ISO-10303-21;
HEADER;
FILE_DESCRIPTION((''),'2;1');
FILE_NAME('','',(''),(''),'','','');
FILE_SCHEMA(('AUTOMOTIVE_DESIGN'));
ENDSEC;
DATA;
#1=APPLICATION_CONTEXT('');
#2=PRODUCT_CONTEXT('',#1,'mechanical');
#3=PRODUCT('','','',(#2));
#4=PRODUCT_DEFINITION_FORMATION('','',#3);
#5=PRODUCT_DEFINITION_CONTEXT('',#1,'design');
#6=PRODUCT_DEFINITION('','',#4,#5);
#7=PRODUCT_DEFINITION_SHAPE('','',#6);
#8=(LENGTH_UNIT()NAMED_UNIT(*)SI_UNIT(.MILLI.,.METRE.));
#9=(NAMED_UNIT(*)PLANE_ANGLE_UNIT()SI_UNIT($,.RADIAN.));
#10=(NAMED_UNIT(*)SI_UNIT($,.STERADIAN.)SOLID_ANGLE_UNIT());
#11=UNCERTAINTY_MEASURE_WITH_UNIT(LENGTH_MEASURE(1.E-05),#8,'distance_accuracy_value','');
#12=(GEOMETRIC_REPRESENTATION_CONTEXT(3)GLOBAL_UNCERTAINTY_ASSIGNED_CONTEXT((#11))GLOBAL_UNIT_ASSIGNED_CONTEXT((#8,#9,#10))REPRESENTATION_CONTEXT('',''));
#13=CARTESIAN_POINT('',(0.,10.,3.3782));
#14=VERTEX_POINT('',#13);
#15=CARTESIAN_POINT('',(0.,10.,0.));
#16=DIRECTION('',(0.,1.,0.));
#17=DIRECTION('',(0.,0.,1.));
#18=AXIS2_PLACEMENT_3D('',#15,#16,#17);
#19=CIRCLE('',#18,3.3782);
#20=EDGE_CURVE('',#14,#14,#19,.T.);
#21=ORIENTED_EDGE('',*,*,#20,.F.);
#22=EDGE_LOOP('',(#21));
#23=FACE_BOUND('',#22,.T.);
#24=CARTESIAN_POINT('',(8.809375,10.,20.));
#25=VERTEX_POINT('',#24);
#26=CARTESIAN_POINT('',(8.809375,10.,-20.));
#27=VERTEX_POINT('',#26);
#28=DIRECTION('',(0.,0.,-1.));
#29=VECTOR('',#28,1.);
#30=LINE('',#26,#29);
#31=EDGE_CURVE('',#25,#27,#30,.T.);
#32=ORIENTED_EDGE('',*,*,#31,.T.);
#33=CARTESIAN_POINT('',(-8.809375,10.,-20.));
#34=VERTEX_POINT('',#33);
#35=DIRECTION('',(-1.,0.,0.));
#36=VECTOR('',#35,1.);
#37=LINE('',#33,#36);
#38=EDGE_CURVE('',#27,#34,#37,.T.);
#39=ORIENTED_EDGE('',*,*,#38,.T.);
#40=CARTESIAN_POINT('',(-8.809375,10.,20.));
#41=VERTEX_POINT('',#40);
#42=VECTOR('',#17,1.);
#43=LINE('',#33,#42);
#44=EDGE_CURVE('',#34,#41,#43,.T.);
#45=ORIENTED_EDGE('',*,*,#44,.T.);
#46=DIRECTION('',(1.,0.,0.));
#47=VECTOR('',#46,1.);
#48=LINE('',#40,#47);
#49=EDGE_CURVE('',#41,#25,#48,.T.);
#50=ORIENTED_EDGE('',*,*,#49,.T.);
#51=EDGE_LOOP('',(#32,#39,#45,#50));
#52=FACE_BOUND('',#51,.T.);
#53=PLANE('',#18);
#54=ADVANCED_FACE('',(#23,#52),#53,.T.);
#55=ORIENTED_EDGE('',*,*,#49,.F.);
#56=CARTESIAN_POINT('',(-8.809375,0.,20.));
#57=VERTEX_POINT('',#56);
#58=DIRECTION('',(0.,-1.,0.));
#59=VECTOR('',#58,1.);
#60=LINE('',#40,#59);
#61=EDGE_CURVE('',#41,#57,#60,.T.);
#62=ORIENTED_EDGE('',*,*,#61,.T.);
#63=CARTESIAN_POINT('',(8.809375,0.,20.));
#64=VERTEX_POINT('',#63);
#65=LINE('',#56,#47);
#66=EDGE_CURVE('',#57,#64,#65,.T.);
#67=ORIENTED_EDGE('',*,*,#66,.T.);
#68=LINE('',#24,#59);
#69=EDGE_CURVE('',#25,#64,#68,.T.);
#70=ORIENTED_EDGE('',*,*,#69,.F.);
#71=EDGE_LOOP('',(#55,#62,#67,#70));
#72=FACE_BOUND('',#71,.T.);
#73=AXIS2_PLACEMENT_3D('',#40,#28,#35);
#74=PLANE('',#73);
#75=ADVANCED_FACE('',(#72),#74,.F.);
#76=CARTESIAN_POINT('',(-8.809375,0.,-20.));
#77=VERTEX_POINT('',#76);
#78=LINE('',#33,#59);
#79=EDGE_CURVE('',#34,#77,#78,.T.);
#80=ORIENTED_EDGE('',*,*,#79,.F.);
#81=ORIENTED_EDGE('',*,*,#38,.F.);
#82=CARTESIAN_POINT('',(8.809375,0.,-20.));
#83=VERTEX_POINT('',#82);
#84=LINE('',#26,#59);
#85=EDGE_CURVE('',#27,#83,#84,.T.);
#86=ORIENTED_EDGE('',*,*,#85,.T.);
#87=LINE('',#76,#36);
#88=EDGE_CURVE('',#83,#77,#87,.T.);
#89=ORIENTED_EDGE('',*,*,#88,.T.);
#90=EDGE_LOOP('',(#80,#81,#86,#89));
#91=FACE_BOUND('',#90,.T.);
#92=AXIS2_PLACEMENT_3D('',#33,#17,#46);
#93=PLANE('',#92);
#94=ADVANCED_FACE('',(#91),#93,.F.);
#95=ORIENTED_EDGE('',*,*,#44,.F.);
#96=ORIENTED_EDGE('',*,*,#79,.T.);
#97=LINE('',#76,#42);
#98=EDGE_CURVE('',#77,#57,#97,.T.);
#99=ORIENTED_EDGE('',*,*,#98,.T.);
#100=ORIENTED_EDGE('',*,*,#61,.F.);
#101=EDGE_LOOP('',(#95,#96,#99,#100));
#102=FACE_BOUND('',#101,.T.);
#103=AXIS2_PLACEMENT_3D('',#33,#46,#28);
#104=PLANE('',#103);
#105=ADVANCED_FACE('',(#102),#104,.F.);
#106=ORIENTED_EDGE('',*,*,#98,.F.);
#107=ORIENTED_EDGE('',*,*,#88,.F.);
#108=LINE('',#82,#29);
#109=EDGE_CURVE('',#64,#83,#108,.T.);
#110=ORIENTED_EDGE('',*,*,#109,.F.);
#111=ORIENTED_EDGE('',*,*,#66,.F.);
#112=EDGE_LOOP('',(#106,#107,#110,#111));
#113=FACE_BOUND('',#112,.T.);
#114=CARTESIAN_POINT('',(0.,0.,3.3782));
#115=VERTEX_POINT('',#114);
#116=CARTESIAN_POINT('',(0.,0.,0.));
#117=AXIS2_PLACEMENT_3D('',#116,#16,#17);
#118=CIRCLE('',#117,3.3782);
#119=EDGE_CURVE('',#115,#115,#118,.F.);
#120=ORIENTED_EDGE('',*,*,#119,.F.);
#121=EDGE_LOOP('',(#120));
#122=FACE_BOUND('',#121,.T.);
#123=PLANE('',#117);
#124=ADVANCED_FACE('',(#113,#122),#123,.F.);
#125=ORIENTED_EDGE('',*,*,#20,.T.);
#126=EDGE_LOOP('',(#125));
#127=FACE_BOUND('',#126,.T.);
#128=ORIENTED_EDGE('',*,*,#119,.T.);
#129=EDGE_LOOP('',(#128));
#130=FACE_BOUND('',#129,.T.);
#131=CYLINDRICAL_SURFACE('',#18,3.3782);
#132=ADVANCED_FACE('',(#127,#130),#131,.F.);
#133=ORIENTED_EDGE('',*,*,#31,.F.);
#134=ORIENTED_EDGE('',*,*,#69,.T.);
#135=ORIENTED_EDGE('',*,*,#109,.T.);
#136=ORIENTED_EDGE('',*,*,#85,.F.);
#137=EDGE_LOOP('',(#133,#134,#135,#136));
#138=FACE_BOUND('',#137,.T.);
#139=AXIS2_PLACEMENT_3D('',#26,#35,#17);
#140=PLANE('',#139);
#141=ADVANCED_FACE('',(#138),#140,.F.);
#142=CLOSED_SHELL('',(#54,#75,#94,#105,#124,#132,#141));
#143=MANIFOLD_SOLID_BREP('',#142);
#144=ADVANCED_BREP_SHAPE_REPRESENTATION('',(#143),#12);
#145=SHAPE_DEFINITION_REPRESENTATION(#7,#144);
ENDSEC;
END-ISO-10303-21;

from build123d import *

# Parameters (mm, degrees)
SKETCH1_W                   = 17.61875
SKETCH1_H                   = 40
BOSS_EXTRUDE1_DEPTH         = 10
F_1_4_CLEARANCE_HOLE1_D     = 6.7564
F_1_4_CLEARANCE_HOLE1_DEPTH = 10
F_1_4_CLEARANCE_HOLE1_TIP   = 2.029827343


with BuildPart() as part:
    # Sketch1 → Boss-Extrude1 (new body)
    with BuildSketch(Plane(origin=(0, 0, 0), x_dir=(1, 0, 0), z_dir=(0, 1, 0))):
        Rectangle(SKETCH1_W, SKETCH1_H)
    extrude(amount=BOSS_EXTRUDE1_DEPTH)

    # 1/4 Clearance Hole1
    with Locations(Plane(origin=(0, 10, 0), x_dir=(1, 0, 0), z_dir=(0, 1, 0))):
        with Locations((0, 0)):
            Hole(F_1_4_CLEARANCE_HOLE1_D / 2, depth=F_1_4_CLEARANCE_HOLE1_DEPTH)
            with Locations((0, 0, -(F_1_4_CLEARANCE_HOLE1_DEPTH + F_1_4_CLEARANCE_HOLE1_TIP / 2))):  # 118° drill point
                Cone(0, F_1_4_CLEARANCE_HOLE1_D / 2, F_1_4_CLEARANCE_HOLE1_TIP, mode=Mode.SUBTRACT)


solid = part.part
